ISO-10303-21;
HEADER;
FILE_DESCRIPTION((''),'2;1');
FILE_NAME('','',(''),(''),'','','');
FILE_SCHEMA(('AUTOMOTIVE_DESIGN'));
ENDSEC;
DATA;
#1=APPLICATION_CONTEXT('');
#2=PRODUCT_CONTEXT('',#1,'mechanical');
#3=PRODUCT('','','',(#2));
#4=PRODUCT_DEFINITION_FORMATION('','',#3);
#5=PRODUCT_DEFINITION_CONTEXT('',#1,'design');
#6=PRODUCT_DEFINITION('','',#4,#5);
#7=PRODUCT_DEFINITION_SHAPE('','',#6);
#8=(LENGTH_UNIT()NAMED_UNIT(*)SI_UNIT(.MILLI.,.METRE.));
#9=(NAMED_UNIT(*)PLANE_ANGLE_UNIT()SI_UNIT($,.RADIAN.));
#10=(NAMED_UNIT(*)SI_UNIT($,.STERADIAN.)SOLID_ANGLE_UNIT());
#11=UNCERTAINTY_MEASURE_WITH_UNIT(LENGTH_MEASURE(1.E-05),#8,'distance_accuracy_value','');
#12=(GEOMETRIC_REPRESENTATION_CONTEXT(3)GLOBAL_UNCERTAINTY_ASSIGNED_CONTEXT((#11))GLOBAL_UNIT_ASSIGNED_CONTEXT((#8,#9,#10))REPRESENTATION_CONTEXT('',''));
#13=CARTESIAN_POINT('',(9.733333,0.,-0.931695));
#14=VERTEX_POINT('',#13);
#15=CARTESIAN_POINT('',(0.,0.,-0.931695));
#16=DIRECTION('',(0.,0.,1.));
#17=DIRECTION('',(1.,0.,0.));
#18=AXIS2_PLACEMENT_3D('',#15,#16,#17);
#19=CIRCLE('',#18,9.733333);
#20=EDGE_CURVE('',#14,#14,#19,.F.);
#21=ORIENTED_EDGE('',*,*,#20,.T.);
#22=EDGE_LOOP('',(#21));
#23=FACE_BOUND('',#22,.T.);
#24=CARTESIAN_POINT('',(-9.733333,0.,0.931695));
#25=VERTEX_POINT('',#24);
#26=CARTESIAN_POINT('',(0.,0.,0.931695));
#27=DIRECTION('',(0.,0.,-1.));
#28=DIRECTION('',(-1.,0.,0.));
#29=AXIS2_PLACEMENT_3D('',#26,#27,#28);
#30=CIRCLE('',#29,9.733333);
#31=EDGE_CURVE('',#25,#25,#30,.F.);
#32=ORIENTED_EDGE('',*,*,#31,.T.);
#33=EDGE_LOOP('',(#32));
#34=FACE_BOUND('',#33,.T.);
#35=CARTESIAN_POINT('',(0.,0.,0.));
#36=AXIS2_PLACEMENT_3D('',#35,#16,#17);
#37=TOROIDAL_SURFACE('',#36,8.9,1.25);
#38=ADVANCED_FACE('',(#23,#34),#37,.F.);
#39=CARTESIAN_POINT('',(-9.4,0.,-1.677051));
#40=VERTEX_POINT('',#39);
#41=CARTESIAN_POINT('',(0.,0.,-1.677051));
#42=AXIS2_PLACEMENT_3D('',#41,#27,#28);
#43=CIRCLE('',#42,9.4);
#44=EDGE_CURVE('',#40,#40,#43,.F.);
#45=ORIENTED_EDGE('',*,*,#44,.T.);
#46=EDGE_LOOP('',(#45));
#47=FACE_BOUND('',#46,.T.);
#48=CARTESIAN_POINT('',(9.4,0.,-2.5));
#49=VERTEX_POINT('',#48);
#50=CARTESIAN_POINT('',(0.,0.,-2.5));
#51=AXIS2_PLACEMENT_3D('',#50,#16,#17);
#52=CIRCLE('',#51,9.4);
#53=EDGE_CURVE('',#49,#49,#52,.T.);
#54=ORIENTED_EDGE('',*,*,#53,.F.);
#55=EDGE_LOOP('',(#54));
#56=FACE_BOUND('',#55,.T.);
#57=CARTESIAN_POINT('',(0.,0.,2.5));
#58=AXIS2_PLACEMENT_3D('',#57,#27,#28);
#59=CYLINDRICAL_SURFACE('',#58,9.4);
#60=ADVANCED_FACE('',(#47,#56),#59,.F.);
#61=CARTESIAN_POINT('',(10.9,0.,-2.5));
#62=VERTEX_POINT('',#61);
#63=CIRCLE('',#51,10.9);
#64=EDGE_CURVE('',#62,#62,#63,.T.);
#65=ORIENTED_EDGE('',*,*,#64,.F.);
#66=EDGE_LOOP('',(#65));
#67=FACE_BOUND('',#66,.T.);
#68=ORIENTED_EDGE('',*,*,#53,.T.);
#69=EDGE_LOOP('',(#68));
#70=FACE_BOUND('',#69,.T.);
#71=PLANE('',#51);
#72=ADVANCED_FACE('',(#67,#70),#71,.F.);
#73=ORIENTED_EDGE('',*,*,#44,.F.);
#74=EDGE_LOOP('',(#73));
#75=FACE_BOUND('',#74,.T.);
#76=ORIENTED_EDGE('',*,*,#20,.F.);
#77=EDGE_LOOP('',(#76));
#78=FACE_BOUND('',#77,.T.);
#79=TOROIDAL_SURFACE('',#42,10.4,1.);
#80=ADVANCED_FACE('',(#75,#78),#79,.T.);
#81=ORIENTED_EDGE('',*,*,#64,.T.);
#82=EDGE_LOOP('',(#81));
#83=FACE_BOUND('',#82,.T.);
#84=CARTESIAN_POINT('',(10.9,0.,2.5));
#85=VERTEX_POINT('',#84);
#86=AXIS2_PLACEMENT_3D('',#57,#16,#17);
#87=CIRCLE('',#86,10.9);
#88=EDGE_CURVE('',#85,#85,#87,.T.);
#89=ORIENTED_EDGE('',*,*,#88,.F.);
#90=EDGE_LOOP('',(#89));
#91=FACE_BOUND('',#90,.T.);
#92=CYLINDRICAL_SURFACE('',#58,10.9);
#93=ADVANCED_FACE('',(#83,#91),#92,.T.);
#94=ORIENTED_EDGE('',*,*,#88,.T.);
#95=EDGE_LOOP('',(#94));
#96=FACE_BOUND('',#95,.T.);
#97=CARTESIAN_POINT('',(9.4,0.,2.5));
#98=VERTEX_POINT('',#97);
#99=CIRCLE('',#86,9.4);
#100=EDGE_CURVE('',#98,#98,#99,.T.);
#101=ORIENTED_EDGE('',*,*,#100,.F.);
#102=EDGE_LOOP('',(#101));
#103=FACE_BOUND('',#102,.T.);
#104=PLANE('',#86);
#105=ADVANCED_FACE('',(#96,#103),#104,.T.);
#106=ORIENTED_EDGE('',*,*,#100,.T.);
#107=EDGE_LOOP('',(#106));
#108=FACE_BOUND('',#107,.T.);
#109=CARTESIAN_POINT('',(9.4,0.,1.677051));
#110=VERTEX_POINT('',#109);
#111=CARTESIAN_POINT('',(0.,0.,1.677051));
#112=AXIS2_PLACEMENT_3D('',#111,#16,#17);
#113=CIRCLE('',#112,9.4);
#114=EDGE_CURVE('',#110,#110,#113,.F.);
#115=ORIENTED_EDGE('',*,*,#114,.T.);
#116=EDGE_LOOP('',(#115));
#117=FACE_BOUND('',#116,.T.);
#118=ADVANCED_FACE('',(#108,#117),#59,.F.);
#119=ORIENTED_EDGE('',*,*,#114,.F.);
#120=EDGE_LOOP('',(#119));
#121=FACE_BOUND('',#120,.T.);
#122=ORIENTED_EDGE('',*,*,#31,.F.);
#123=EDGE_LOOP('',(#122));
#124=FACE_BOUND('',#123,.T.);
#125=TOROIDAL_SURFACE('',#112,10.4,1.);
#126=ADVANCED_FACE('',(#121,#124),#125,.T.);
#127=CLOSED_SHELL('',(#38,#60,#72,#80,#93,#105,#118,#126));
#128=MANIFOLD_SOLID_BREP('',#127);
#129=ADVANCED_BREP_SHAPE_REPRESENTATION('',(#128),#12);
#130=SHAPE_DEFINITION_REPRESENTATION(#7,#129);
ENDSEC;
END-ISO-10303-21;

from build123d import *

# Parameters (mm, degrees)
SKETCH_1_R      = 10.9
SKETCH_1_R_2    = 9.4
EXTRUDE_1_DEPTH = 2.5
SKETCH_3_R      = 1.25
FILLET_1_R      = 1


with BuildPart() as part:
    # 草图1 → 凸台-拉伸1 (new body, symmetric)
    with BuildSketch(Plane.XY):
        Circle(SKETCH_1_R)
        Circle(SKETCH_1_R_2, mode=Mode.SUBTRACT)
    extrude(amount=EXTRUDE_1_DEPTH, both=True)

    # 草图3 → 切除-旋转1 (revolve, cut)
    with BuildSketch(Plane(origin=(0, 0, 0), x_dir=(1, 0, 0), z_dir=(0, 1, 0))):
        with Locations((-8.9, 0)):
            Circle(SKETCH_3_R)
    revolve(axis=Axis((0, 0, 2.5), (0, 0, -1)), mode=Mode.SUBTRACT)

    # 圆角1
    fillet_1_edges = [part.edges().sort_by_distance(p)[0] for p in [
        (0, 9.4, 1.145643924),
        (0, -9.4, -1.145643924),
    ]]
    fillet(fillet_1_edges, radius=FILLET_1_R)


solid = part.part
